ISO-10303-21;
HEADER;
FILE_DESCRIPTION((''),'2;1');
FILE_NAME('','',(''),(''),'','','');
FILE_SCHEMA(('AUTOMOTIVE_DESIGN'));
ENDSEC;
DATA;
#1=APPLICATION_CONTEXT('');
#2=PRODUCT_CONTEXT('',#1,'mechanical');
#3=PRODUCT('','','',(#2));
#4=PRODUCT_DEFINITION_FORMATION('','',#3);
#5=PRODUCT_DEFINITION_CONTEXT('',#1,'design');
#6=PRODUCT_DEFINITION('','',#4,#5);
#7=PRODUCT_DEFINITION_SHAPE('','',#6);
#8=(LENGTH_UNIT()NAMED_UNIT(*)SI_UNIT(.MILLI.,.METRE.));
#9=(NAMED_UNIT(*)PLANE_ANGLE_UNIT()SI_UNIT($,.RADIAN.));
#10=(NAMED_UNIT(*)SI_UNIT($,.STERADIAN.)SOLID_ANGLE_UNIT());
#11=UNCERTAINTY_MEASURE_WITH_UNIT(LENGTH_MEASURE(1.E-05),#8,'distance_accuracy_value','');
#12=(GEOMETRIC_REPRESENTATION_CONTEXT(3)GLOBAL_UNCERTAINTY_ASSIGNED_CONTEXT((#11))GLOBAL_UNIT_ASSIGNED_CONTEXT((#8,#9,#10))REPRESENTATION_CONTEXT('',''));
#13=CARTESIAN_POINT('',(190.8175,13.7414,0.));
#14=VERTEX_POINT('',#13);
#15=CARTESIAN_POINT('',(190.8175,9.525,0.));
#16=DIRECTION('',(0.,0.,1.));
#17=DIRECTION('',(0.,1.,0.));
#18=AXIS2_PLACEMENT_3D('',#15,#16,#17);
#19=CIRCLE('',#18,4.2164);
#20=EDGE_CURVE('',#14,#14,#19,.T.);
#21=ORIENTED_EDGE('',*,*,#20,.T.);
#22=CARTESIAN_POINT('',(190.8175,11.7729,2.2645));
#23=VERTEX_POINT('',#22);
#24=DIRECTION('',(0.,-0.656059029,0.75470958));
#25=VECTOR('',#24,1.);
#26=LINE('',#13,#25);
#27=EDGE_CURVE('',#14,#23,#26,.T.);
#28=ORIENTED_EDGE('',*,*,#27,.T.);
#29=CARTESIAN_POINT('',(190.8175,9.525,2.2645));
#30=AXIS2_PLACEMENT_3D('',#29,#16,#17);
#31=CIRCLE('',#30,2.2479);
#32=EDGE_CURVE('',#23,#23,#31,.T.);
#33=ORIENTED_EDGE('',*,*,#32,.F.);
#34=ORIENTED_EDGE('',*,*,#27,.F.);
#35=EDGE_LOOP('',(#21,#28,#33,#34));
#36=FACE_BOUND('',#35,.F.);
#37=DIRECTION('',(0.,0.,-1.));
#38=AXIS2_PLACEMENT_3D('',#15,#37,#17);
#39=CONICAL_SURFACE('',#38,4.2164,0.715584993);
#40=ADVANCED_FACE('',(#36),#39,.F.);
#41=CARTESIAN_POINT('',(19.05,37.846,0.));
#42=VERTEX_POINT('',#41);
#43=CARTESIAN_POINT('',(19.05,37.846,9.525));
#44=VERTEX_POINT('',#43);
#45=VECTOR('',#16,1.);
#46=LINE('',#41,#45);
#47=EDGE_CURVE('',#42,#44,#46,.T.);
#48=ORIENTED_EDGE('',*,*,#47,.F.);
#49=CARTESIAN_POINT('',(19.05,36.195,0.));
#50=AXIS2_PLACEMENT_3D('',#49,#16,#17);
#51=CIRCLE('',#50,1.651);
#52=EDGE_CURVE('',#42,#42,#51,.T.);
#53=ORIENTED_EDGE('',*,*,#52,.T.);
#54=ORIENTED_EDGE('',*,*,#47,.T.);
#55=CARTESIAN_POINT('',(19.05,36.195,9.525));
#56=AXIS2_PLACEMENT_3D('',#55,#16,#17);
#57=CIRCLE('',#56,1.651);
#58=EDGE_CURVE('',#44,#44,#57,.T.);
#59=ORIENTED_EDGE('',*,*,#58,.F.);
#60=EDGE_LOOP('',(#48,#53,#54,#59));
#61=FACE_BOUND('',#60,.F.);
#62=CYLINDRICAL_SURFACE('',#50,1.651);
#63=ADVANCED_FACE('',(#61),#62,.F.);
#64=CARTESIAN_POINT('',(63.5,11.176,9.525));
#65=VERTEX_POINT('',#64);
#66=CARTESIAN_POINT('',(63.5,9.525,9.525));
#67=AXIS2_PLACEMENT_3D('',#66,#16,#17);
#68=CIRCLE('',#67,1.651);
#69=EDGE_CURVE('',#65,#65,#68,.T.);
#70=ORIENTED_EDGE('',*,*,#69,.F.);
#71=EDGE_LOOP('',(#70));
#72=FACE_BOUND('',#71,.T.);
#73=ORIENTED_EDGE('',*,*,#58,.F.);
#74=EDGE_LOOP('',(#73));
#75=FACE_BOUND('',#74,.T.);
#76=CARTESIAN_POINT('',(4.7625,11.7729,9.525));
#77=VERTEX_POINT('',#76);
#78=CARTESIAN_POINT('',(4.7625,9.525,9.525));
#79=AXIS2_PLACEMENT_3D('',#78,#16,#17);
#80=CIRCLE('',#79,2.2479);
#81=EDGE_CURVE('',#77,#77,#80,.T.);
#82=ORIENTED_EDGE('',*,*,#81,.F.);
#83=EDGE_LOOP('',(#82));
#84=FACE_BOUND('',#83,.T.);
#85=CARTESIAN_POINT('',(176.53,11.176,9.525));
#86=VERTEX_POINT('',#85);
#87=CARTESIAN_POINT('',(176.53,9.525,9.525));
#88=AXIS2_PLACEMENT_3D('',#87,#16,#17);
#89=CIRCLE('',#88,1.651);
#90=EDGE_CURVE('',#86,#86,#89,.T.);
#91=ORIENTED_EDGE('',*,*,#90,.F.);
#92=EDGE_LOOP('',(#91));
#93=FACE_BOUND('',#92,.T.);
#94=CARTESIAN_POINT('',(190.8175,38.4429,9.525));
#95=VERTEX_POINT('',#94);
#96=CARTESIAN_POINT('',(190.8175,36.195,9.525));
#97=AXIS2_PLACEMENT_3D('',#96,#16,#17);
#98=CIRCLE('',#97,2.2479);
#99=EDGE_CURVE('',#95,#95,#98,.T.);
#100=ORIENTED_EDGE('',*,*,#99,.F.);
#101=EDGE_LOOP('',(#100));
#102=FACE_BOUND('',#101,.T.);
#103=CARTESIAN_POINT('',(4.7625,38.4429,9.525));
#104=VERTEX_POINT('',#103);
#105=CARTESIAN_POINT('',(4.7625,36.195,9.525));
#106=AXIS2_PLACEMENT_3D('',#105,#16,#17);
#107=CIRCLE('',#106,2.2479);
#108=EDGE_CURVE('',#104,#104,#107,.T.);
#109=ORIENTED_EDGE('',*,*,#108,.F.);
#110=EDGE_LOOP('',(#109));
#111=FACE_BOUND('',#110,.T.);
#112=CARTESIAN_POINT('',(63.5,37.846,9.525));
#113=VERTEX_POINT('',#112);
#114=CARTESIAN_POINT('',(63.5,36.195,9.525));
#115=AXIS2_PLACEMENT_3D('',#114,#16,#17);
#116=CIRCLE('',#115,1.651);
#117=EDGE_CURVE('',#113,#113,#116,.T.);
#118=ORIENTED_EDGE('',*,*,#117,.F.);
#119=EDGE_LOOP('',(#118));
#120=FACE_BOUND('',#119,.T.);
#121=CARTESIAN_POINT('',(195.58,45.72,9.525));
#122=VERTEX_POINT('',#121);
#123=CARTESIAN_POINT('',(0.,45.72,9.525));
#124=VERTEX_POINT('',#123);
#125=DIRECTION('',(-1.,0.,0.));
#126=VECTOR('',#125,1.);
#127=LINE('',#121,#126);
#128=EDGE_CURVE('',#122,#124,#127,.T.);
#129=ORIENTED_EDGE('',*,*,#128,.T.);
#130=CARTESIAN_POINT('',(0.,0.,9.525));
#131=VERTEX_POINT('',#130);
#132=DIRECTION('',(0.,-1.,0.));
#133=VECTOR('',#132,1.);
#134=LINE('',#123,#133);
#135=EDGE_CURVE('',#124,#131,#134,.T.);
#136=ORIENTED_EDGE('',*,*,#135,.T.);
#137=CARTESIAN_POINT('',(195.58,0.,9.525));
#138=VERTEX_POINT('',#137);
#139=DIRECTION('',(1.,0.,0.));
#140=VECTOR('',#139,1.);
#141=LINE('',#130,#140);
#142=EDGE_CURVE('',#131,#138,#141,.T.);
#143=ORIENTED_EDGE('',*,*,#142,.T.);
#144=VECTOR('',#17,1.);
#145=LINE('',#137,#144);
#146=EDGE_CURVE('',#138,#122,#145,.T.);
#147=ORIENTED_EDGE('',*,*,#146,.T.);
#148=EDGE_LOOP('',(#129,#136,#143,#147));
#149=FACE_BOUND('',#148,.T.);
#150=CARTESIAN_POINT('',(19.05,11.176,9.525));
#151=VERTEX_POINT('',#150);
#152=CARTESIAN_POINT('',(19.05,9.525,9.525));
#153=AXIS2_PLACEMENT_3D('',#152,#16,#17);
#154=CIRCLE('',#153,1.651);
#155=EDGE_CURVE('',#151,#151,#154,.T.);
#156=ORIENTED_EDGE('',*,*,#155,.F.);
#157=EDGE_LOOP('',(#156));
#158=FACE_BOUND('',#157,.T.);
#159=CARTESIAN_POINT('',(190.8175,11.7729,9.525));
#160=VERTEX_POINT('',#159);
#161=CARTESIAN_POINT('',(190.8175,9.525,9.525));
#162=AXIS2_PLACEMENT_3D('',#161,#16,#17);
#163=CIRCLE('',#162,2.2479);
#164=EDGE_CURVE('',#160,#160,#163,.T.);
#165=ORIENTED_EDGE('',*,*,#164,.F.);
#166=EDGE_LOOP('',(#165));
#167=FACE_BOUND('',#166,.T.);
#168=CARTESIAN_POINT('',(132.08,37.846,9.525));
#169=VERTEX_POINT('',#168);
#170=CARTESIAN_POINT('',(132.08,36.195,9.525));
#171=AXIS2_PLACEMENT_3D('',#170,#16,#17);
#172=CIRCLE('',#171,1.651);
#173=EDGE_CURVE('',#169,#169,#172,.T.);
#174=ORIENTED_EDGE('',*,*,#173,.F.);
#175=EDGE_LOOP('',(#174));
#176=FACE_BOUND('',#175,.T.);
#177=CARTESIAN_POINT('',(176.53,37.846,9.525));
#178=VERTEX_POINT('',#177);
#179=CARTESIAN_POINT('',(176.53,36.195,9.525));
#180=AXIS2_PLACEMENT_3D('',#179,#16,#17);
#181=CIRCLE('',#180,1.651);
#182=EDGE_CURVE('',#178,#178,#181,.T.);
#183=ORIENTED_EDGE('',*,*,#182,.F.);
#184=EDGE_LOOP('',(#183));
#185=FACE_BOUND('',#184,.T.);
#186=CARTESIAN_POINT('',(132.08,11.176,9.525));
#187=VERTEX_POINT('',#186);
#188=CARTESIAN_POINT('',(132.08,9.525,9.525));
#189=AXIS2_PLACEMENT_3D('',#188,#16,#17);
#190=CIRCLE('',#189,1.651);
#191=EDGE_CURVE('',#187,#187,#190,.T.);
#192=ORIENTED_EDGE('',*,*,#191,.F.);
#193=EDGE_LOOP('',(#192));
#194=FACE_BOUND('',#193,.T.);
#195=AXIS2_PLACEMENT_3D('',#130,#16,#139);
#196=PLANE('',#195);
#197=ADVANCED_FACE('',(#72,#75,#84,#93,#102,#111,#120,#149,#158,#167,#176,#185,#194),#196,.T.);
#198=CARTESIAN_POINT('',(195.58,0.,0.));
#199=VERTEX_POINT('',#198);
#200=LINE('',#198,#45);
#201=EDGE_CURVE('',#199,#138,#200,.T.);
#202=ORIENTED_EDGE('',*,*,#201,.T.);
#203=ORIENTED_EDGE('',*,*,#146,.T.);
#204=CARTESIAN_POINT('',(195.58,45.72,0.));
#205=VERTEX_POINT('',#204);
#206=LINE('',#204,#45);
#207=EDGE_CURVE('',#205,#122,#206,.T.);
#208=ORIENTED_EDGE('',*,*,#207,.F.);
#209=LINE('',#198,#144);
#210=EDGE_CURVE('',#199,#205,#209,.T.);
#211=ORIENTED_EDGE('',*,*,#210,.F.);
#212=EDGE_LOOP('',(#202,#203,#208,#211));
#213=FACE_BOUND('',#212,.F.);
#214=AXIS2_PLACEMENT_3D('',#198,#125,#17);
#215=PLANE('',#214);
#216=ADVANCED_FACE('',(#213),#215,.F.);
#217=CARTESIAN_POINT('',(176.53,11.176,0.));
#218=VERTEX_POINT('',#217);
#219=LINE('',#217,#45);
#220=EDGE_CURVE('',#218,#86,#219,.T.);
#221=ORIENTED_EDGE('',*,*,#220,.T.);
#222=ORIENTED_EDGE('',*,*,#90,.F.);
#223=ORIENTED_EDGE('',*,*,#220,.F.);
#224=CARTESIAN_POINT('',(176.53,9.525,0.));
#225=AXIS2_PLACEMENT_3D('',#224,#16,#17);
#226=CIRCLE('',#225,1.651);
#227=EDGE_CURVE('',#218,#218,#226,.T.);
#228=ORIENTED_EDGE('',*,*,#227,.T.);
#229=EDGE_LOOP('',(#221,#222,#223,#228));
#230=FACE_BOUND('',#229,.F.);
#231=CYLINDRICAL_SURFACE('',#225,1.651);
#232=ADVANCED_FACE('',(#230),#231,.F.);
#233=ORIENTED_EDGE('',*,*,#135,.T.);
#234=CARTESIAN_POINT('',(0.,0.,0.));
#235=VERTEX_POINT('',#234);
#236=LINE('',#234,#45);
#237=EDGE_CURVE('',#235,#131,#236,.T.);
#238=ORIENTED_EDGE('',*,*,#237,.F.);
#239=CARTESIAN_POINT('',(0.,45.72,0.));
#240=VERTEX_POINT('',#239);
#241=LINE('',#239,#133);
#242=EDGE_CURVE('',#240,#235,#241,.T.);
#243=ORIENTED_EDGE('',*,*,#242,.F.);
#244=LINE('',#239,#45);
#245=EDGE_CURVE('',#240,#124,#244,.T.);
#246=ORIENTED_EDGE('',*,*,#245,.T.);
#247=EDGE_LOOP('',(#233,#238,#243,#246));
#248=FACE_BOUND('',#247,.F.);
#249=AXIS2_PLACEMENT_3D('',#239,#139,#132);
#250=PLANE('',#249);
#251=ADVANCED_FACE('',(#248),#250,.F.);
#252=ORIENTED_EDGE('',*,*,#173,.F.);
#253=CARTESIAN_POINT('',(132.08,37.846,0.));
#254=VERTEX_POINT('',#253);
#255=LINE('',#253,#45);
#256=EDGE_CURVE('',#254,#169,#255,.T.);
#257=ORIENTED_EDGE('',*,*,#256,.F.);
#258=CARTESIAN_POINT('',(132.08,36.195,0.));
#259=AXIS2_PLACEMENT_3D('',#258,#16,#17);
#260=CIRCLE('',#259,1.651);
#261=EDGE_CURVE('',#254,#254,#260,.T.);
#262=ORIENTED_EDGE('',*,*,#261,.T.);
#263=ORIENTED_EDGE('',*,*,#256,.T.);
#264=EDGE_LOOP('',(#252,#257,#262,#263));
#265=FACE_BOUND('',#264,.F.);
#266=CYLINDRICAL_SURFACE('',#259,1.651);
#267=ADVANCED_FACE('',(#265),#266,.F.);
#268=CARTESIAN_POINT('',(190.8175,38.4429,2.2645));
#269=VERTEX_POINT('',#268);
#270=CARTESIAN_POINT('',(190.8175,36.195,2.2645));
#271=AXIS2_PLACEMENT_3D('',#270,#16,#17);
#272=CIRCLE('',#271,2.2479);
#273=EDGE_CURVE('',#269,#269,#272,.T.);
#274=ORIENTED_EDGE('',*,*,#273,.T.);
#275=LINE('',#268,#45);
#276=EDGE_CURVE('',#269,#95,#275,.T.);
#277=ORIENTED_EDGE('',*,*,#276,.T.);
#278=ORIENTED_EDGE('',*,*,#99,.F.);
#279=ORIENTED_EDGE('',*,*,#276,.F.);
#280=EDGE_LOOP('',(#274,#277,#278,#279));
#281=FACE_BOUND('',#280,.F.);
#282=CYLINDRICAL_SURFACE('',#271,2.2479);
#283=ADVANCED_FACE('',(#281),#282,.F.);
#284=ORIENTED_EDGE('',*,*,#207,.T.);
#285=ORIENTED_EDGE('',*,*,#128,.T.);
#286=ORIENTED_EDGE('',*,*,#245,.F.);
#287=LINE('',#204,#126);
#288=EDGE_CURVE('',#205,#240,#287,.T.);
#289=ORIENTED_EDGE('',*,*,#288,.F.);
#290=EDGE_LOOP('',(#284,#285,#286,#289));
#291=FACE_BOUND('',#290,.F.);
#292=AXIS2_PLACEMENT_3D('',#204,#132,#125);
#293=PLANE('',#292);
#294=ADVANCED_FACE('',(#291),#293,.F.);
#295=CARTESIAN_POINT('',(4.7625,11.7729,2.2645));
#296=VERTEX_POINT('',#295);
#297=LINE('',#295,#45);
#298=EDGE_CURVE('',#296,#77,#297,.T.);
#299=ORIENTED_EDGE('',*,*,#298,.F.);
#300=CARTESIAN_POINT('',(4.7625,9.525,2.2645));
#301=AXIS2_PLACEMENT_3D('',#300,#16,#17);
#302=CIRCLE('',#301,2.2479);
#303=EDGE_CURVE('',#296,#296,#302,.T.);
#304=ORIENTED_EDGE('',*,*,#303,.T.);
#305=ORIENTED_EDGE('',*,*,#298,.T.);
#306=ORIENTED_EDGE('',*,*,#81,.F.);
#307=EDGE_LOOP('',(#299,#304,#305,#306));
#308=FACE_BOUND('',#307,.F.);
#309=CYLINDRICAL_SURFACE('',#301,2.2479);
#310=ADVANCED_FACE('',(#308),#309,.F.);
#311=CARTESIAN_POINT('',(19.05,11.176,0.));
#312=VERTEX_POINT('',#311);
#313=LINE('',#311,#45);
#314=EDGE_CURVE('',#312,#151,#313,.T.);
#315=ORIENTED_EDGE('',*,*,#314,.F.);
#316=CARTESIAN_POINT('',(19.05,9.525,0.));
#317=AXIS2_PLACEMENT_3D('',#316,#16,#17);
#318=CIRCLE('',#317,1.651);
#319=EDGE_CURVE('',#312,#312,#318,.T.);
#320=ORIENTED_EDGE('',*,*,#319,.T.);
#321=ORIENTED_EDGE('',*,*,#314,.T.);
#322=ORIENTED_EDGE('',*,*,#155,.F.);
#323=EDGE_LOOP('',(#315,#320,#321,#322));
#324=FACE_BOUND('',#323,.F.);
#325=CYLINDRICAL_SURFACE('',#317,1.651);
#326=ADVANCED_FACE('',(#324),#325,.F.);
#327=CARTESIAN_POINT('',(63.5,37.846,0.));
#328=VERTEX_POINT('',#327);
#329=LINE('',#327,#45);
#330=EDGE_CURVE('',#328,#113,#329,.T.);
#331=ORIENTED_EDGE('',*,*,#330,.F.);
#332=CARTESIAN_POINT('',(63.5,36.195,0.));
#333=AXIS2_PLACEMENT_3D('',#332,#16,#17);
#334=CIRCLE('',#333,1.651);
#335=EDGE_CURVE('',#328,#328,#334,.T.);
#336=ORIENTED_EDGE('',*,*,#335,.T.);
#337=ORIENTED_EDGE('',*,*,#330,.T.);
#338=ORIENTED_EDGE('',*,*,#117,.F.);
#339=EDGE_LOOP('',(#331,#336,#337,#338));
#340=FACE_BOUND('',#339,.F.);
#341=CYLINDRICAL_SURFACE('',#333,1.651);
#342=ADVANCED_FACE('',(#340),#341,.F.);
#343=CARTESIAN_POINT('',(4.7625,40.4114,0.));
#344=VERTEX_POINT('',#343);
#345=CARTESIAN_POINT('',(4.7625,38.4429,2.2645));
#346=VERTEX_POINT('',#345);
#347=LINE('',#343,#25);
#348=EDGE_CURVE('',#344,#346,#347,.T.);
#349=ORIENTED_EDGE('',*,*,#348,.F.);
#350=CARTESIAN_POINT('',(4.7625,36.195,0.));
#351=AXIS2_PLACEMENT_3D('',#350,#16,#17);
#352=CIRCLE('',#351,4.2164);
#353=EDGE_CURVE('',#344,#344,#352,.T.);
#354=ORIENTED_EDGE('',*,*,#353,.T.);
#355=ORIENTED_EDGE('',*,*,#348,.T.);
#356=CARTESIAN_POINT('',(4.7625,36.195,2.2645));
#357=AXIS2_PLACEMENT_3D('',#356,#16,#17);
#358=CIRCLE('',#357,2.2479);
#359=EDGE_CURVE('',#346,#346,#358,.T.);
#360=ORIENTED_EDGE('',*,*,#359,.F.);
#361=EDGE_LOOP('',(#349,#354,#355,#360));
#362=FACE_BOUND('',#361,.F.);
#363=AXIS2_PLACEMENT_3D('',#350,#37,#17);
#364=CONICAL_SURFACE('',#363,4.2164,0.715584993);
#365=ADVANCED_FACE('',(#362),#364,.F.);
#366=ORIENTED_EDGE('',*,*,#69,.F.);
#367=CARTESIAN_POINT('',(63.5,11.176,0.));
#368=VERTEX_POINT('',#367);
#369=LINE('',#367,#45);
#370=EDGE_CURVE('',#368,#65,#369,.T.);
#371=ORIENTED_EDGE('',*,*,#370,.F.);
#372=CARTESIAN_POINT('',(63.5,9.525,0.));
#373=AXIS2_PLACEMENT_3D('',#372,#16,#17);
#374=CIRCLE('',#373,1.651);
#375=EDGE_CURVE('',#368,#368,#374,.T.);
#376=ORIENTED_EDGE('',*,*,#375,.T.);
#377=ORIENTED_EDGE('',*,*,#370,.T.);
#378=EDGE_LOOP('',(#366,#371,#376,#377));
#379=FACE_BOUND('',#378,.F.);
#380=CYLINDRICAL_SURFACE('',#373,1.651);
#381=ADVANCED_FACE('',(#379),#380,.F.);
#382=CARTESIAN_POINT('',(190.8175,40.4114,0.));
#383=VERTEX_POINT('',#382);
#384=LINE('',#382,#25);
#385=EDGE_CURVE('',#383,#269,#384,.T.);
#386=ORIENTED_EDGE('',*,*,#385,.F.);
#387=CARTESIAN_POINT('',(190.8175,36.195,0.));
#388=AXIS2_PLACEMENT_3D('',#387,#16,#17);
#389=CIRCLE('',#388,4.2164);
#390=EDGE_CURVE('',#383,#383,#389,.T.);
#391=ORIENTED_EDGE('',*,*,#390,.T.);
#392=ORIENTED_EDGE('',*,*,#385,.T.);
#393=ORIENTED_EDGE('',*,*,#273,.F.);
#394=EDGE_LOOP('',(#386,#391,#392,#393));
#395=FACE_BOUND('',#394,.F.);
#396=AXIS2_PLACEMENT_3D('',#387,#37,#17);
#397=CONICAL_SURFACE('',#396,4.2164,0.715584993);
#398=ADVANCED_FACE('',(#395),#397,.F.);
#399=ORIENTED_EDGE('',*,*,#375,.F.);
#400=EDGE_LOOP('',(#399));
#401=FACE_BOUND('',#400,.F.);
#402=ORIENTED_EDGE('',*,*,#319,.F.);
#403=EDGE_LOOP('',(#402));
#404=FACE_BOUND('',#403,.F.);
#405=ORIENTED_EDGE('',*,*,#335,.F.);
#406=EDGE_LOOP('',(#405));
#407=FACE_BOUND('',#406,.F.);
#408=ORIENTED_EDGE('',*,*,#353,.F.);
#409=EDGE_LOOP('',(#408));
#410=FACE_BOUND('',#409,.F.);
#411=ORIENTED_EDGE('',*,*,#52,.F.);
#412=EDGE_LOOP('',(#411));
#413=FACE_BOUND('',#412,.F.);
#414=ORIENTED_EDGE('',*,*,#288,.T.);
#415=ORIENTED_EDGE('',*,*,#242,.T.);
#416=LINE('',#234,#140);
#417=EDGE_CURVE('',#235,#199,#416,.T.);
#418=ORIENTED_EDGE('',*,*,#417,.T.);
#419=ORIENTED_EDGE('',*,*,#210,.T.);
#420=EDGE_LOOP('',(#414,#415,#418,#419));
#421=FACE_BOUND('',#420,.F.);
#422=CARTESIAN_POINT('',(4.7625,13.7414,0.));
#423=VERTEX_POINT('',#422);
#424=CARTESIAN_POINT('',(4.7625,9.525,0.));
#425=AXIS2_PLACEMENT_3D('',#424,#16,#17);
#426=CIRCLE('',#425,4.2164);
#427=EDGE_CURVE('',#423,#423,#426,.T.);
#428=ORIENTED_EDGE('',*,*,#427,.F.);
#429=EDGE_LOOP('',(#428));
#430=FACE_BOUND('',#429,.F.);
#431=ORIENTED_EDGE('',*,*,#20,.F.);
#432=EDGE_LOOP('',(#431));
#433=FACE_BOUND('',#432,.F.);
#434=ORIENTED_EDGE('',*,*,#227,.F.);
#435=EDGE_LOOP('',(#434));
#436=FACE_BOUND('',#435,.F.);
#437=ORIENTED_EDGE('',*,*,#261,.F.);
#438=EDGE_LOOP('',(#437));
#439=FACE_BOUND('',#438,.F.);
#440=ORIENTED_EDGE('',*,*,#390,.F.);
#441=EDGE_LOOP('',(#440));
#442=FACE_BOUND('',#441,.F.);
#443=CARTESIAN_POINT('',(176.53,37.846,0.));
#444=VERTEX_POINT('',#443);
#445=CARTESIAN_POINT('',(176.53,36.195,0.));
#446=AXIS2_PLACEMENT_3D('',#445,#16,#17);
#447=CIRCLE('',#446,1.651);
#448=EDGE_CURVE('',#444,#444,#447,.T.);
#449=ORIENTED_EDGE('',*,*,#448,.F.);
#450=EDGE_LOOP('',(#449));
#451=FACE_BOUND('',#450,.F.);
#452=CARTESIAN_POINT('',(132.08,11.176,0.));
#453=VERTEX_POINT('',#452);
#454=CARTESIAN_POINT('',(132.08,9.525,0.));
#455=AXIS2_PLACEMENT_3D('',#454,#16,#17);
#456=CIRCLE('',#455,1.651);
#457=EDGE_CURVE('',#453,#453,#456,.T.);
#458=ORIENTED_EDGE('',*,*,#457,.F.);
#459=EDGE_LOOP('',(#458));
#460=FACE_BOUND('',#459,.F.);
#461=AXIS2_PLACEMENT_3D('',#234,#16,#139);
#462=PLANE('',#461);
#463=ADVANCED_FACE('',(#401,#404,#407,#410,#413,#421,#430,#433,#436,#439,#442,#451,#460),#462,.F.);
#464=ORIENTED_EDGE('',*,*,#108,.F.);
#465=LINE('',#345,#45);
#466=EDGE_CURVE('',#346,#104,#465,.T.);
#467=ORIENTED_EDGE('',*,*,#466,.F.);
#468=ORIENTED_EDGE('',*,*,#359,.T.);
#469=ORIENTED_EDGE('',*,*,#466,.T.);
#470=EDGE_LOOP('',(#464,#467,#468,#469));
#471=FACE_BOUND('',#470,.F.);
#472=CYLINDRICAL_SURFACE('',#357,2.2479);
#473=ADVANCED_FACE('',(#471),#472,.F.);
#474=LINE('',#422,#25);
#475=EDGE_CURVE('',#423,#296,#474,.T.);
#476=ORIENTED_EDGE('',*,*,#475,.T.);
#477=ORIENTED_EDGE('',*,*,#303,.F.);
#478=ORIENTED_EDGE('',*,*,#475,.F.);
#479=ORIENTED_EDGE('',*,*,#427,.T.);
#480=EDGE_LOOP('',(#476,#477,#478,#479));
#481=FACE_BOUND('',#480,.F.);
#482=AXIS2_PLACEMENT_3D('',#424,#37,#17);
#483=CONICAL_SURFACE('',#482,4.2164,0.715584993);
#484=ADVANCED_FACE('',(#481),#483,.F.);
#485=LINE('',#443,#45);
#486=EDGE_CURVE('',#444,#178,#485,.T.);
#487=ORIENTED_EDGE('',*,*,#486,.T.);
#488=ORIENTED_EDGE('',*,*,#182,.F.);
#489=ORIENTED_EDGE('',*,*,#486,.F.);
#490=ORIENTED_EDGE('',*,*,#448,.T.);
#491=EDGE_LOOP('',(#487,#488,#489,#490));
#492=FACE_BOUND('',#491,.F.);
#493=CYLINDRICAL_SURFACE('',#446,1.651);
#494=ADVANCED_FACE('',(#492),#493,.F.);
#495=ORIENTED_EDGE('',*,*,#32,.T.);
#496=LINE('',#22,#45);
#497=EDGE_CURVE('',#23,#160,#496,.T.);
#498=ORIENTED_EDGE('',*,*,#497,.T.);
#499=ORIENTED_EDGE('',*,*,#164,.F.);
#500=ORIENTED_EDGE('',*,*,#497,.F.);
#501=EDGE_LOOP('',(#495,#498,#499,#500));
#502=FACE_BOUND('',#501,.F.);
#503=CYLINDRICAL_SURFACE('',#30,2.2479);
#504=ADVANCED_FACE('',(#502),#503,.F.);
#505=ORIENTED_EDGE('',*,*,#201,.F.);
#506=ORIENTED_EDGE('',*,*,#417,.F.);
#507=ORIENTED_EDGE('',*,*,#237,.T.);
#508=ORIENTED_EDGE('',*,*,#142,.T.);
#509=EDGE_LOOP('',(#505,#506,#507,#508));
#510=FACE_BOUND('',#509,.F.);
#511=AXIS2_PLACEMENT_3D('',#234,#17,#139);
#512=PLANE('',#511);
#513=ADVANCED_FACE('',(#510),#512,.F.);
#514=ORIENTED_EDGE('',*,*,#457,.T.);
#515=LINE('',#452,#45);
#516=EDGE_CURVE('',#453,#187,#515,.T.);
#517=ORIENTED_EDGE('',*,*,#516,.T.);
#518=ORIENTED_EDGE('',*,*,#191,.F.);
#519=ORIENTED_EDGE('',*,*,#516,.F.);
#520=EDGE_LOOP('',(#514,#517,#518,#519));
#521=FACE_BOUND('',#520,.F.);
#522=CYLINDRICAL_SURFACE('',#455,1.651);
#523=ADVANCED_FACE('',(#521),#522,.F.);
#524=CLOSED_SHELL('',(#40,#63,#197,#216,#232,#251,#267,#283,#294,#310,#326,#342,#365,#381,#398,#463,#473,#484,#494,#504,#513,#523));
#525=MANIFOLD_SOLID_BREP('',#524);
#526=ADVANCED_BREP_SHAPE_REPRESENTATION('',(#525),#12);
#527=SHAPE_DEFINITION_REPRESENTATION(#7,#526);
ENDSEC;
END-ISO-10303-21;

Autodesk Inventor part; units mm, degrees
ref_plane "YZ Plane" through (0, 0, 0) normal (1, 0, 0) x (0, 1, 0)
ref_plane "XZ Plane" through (0, 0, 0) normal (0, 1, 0) x (-1, 0, 0)
ref_plane "XY Plane" through (0, 0, 0) normal (0, 0, 1) x (1, 0, 0)
sketch "Sketch1" plane through (0, 0, 0) normal (0, 0, 1) x (1, 0, 0)
  line L0 (0, 0) -> (195.58, 0)
  line L1 (195.58, 0) -> (195.58, 45.72)
  line L2 (195.58, 45.72) -> (0, 45.72)
  line L3 (0, 45.72) -> (0, 0)
  dimension "d0" = 45.72
  dimension "d1" = 195.58
extrude "Extrusion1" add sketch "Sketch1" along normal blind 9.525
sketch "Sketch2" plane through (0, 0, 0) normal (0, 0, -1) x (-1, 0, 0)
  circle A0 centre (-176.53, 36.195) radius 4.4323 projected
  circle A1 centre (-132.08, 36.195) radius 4.4323 projected
  circle A2 centre (-132.08, 9.525) radius 4.4323 projected
  circle A3 centre (-176.53, 9.525) radius 4.4323 projected
  circle A4 centre (-63.5, 36.195) radius 4.4323 projected
  circle A5 centre (-19.05, 36.195) radius 4.4323 projected
  circle A6 centre (-19.05, 9.525) radius 4.4323 projected
  circle A7 centre (-63.5, 9.525) radius 4.4323 projected
hole "Hole1" at (176.53, 36.195, 0) at (132.08, 36.195, 0) at (132.08, 9.525, 0) at (176.53, 9.525, 0) at (63.5, 9.525, 0) at (63.5, 36.195, 0) at (19.05, 36.195, 0) at (19.05, 9.525, 0) direction (0, 0, 1) diameter 3.302 end through all thread size "8-32 UNC" class "2B" standard "ANSI Unified Screw Threads"
sketch "Sketch3" plane through (0, 0, 0) normal (0, 0, -1) x (-1, 0, 0)
  circle A0 centre (-19.05, 9.525) radius 1.651 projected
  circle A1 centre (-19.05, 36.195) radius 1.651 projected
  line L0 (-195.58, 46.9392) -> (-195.58, -0.0508)
  line L1 (-186.055, -0.0508) -> (-195.58, -0.0508)
  line L2 (-186.055, -0.0508) -> (-186.055, 46.9392)
  line L3 (-195.58, 46.9392) -> (-186.055, 46.9392)
  line L4 (0, 46.9392) -> (0, -0.0508)
  line L5 (0, 46.9392) -> (-9.525, 46.9392)
  line L6 (-9.525, -0.0508) -> (-9.525, 46.9392)
  line L7 (-9.525, -0.0508) -> (0, -0.0508)
  circle A2 centre (-4.7625, 36.195) radius 1.651
  circle A3 centre (-4.7625, 9.525) radius 1.651
  line L8 (-195.58, 45.72) -> (0, 45.72) projected
  point P0 (-4.7625, 9.525)
  point P1 (-4.7625, 36.195)
  point P2 (-190.8175, 36.195)
  point P3 (-190.8175, 9.525)
  dimension "d18" = 9.525
hole "Hole2" at (4.7625, 9.525, 0) at (4.7625, 36.195, 0) at (190.8175, 36.195, 0) at (190.8175, 9.525, 0) direction (0, 0, 1) diameter 4.4958 end through all countersink diameter 8.4328 countersink angle 82 clearance for "Flat Head Machine Screw (82)" size "#8" standard "Ansi Unified Screw Threads"
properties part number "MagnetPlate" material "Aluminum-6061"
